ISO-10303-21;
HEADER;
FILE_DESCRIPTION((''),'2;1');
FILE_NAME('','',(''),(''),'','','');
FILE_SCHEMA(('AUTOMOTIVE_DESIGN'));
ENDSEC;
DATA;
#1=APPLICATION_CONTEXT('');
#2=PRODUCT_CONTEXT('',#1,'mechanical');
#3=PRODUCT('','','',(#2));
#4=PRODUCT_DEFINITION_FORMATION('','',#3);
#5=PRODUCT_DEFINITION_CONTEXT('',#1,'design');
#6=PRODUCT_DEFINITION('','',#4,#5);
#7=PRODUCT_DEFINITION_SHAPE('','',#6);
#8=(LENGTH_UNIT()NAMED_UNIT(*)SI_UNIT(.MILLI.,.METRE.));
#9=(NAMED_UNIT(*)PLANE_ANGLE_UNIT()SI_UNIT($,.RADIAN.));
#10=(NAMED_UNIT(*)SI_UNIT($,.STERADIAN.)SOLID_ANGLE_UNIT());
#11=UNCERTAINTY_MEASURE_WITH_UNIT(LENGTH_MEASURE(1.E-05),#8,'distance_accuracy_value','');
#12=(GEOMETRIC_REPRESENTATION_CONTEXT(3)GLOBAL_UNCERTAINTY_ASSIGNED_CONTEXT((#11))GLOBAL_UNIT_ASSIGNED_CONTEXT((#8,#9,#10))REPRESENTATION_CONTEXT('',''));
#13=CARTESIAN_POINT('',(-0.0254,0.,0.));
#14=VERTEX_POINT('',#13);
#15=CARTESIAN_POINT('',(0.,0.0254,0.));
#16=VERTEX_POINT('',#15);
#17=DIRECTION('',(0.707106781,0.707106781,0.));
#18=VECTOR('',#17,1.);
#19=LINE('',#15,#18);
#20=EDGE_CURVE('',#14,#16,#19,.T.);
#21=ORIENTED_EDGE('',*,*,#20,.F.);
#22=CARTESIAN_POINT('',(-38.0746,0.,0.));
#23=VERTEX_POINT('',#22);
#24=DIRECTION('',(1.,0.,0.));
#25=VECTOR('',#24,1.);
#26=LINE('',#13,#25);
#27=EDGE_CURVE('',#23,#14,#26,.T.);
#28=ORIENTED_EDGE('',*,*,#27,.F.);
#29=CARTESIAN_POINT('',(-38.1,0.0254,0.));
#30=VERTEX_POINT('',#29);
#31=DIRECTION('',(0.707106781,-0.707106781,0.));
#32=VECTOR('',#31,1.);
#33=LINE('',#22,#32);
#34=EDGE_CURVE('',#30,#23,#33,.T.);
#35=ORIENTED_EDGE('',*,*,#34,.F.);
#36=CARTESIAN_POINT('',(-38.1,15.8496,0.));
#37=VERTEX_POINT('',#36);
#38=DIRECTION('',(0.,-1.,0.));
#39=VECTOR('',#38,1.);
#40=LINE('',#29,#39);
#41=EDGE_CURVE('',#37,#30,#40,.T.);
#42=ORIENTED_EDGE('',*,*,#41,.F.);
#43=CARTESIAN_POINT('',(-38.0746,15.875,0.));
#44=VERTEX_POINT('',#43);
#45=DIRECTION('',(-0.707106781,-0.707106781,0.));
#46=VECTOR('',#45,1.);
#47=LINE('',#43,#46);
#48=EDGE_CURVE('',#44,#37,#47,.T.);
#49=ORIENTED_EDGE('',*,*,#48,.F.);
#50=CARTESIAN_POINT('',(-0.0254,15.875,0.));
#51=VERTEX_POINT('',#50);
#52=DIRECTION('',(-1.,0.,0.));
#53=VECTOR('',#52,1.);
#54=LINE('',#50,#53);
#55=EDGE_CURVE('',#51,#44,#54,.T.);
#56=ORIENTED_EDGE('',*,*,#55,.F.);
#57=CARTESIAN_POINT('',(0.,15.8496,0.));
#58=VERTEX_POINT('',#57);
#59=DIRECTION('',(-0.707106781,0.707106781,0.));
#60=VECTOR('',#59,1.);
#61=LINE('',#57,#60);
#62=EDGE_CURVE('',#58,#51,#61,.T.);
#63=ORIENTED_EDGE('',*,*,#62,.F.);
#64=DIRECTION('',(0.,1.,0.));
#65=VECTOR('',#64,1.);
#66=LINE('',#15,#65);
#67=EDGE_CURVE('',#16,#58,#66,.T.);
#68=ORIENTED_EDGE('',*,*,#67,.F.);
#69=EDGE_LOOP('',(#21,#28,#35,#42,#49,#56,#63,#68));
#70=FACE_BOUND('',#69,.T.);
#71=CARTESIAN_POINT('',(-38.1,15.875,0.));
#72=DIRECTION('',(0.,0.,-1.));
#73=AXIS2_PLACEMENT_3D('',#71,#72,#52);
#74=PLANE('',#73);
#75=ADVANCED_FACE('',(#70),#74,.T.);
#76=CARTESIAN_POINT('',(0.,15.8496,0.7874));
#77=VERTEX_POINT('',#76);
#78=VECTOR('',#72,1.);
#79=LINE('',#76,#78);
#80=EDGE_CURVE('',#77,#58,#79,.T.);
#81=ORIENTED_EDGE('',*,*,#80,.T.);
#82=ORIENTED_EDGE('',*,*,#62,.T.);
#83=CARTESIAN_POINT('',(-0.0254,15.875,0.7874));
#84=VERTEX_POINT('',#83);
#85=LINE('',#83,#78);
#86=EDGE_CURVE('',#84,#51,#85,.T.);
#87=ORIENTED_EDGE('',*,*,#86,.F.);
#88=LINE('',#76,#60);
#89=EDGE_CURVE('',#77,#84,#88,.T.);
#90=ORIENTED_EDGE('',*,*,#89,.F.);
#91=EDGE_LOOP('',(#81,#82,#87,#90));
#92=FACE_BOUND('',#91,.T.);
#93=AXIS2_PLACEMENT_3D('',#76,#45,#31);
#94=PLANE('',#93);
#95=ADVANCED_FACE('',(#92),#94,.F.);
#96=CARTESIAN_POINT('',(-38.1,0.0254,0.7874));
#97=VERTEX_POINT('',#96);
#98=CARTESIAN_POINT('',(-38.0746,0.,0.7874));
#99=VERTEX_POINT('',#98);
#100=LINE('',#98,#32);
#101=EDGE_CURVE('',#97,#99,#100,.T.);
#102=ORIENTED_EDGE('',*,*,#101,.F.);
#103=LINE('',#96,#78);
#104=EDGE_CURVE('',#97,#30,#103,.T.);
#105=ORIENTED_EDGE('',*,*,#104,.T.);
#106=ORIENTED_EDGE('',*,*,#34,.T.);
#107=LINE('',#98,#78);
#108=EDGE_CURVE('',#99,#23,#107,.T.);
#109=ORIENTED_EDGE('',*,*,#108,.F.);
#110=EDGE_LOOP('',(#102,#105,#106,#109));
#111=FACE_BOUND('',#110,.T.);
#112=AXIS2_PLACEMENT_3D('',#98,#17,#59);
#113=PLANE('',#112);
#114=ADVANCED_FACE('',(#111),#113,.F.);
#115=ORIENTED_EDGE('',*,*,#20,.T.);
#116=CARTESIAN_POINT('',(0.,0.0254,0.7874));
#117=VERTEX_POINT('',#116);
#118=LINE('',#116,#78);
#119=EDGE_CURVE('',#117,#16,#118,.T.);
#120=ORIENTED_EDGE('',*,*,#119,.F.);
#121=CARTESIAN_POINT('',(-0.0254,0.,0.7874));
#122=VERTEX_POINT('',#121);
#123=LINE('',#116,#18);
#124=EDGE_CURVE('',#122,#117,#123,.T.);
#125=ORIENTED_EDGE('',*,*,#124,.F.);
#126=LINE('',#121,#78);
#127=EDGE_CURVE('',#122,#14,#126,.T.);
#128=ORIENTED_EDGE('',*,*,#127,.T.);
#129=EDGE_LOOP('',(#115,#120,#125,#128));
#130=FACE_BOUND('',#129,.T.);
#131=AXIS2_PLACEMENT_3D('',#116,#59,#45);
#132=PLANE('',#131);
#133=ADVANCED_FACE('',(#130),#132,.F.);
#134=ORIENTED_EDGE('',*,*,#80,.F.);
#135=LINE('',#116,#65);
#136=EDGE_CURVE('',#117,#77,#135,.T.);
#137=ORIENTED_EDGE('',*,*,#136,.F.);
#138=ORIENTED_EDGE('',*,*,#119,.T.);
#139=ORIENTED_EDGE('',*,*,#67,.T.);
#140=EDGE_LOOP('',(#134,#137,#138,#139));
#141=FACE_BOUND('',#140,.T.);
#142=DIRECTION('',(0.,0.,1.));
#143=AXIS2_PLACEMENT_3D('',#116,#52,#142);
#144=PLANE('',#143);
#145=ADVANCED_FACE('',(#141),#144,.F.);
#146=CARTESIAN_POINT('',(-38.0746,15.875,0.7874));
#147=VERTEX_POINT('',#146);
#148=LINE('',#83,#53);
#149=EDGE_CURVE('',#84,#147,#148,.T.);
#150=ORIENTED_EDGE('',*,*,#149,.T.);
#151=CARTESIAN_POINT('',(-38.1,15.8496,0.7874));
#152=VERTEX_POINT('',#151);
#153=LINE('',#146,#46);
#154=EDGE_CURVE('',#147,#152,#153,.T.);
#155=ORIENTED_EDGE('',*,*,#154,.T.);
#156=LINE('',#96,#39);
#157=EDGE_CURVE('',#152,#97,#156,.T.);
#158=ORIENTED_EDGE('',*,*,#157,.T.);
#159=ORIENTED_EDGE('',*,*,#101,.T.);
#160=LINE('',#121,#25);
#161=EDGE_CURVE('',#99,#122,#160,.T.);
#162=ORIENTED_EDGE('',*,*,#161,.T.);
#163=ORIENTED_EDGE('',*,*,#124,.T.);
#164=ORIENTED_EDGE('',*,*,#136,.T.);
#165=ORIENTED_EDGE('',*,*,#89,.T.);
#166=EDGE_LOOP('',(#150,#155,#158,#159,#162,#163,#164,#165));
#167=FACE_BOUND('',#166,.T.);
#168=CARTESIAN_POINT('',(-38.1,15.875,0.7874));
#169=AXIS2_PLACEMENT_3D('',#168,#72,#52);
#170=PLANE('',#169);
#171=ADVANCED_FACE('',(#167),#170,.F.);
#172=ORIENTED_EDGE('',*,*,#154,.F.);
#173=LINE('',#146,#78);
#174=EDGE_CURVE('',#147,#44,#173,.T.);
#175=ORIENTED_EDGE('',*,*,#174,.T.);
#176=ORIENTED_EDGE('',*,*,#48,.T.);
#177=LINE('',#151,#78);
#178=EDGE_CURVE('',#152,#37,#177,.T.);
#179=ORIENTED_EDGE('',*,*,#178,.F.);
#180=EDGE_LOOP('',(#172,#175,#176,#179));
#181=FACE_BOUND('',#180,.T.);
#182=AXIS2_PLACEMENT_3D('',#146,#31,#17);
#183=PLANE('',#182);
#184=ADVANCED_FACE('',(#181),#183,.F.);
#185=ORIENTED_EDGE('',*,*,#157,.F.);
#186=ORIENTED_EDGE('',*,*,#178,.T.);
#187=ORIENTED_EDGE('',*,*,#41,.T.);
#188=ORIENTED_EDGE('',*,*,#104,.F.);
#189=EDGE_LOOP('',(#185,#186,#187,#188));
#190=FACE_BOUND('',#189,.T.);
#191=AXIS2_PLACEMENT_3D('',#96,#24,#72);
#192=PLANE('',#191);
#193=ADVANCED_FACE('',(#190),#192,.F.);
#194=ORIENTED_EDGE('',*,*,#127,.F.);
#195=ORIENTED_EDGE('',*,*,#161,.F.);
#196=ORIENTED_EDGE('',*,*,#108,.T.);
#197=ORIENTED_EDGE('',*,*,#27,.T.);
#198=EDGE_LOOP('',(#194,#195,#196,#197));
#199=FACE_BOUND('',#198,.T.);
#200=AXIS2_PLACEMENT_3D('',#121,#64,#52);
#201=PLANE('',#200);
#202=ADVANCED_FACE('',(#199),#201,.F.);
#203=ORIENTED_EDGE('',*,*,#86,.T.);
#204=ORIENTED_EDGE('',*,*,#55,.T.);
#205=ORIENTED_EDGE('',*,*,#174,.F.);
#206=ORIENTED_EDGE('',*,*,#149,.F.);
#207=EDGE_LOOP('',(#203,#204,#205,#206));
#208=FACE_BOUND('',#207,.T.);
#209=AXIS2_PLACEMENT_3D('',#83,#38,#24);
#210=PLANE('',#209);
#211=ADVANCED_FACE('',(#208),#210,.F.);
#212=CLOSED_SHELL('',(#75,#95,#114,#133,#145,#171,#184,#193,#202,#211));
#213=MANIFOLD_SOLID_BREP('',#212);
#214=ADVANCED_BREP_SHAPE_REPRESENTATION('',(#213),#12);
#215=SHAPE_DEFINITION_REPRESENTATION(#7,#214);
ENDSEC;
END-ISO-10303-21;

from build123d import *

# Parameters (mm, degrees)
EXTRUDE1_DEPTH = 0.7874


with BuildPart() as part:
    # Sketch1 → Extrude1 (new body)
    with BuildSketch(Plane.XY):
        Polygon((-38.0746, 15.875), (-38.1, 15.8496), (-38.1, 0.0254), (-38.0746, 0), (-0.0254, 0), (0, 0.0254), (0, 15.8496), (-0.0254, 15.875), align=None)
    extrude(amount=EXTRUDE1_DEPTH)


solid = part.part
